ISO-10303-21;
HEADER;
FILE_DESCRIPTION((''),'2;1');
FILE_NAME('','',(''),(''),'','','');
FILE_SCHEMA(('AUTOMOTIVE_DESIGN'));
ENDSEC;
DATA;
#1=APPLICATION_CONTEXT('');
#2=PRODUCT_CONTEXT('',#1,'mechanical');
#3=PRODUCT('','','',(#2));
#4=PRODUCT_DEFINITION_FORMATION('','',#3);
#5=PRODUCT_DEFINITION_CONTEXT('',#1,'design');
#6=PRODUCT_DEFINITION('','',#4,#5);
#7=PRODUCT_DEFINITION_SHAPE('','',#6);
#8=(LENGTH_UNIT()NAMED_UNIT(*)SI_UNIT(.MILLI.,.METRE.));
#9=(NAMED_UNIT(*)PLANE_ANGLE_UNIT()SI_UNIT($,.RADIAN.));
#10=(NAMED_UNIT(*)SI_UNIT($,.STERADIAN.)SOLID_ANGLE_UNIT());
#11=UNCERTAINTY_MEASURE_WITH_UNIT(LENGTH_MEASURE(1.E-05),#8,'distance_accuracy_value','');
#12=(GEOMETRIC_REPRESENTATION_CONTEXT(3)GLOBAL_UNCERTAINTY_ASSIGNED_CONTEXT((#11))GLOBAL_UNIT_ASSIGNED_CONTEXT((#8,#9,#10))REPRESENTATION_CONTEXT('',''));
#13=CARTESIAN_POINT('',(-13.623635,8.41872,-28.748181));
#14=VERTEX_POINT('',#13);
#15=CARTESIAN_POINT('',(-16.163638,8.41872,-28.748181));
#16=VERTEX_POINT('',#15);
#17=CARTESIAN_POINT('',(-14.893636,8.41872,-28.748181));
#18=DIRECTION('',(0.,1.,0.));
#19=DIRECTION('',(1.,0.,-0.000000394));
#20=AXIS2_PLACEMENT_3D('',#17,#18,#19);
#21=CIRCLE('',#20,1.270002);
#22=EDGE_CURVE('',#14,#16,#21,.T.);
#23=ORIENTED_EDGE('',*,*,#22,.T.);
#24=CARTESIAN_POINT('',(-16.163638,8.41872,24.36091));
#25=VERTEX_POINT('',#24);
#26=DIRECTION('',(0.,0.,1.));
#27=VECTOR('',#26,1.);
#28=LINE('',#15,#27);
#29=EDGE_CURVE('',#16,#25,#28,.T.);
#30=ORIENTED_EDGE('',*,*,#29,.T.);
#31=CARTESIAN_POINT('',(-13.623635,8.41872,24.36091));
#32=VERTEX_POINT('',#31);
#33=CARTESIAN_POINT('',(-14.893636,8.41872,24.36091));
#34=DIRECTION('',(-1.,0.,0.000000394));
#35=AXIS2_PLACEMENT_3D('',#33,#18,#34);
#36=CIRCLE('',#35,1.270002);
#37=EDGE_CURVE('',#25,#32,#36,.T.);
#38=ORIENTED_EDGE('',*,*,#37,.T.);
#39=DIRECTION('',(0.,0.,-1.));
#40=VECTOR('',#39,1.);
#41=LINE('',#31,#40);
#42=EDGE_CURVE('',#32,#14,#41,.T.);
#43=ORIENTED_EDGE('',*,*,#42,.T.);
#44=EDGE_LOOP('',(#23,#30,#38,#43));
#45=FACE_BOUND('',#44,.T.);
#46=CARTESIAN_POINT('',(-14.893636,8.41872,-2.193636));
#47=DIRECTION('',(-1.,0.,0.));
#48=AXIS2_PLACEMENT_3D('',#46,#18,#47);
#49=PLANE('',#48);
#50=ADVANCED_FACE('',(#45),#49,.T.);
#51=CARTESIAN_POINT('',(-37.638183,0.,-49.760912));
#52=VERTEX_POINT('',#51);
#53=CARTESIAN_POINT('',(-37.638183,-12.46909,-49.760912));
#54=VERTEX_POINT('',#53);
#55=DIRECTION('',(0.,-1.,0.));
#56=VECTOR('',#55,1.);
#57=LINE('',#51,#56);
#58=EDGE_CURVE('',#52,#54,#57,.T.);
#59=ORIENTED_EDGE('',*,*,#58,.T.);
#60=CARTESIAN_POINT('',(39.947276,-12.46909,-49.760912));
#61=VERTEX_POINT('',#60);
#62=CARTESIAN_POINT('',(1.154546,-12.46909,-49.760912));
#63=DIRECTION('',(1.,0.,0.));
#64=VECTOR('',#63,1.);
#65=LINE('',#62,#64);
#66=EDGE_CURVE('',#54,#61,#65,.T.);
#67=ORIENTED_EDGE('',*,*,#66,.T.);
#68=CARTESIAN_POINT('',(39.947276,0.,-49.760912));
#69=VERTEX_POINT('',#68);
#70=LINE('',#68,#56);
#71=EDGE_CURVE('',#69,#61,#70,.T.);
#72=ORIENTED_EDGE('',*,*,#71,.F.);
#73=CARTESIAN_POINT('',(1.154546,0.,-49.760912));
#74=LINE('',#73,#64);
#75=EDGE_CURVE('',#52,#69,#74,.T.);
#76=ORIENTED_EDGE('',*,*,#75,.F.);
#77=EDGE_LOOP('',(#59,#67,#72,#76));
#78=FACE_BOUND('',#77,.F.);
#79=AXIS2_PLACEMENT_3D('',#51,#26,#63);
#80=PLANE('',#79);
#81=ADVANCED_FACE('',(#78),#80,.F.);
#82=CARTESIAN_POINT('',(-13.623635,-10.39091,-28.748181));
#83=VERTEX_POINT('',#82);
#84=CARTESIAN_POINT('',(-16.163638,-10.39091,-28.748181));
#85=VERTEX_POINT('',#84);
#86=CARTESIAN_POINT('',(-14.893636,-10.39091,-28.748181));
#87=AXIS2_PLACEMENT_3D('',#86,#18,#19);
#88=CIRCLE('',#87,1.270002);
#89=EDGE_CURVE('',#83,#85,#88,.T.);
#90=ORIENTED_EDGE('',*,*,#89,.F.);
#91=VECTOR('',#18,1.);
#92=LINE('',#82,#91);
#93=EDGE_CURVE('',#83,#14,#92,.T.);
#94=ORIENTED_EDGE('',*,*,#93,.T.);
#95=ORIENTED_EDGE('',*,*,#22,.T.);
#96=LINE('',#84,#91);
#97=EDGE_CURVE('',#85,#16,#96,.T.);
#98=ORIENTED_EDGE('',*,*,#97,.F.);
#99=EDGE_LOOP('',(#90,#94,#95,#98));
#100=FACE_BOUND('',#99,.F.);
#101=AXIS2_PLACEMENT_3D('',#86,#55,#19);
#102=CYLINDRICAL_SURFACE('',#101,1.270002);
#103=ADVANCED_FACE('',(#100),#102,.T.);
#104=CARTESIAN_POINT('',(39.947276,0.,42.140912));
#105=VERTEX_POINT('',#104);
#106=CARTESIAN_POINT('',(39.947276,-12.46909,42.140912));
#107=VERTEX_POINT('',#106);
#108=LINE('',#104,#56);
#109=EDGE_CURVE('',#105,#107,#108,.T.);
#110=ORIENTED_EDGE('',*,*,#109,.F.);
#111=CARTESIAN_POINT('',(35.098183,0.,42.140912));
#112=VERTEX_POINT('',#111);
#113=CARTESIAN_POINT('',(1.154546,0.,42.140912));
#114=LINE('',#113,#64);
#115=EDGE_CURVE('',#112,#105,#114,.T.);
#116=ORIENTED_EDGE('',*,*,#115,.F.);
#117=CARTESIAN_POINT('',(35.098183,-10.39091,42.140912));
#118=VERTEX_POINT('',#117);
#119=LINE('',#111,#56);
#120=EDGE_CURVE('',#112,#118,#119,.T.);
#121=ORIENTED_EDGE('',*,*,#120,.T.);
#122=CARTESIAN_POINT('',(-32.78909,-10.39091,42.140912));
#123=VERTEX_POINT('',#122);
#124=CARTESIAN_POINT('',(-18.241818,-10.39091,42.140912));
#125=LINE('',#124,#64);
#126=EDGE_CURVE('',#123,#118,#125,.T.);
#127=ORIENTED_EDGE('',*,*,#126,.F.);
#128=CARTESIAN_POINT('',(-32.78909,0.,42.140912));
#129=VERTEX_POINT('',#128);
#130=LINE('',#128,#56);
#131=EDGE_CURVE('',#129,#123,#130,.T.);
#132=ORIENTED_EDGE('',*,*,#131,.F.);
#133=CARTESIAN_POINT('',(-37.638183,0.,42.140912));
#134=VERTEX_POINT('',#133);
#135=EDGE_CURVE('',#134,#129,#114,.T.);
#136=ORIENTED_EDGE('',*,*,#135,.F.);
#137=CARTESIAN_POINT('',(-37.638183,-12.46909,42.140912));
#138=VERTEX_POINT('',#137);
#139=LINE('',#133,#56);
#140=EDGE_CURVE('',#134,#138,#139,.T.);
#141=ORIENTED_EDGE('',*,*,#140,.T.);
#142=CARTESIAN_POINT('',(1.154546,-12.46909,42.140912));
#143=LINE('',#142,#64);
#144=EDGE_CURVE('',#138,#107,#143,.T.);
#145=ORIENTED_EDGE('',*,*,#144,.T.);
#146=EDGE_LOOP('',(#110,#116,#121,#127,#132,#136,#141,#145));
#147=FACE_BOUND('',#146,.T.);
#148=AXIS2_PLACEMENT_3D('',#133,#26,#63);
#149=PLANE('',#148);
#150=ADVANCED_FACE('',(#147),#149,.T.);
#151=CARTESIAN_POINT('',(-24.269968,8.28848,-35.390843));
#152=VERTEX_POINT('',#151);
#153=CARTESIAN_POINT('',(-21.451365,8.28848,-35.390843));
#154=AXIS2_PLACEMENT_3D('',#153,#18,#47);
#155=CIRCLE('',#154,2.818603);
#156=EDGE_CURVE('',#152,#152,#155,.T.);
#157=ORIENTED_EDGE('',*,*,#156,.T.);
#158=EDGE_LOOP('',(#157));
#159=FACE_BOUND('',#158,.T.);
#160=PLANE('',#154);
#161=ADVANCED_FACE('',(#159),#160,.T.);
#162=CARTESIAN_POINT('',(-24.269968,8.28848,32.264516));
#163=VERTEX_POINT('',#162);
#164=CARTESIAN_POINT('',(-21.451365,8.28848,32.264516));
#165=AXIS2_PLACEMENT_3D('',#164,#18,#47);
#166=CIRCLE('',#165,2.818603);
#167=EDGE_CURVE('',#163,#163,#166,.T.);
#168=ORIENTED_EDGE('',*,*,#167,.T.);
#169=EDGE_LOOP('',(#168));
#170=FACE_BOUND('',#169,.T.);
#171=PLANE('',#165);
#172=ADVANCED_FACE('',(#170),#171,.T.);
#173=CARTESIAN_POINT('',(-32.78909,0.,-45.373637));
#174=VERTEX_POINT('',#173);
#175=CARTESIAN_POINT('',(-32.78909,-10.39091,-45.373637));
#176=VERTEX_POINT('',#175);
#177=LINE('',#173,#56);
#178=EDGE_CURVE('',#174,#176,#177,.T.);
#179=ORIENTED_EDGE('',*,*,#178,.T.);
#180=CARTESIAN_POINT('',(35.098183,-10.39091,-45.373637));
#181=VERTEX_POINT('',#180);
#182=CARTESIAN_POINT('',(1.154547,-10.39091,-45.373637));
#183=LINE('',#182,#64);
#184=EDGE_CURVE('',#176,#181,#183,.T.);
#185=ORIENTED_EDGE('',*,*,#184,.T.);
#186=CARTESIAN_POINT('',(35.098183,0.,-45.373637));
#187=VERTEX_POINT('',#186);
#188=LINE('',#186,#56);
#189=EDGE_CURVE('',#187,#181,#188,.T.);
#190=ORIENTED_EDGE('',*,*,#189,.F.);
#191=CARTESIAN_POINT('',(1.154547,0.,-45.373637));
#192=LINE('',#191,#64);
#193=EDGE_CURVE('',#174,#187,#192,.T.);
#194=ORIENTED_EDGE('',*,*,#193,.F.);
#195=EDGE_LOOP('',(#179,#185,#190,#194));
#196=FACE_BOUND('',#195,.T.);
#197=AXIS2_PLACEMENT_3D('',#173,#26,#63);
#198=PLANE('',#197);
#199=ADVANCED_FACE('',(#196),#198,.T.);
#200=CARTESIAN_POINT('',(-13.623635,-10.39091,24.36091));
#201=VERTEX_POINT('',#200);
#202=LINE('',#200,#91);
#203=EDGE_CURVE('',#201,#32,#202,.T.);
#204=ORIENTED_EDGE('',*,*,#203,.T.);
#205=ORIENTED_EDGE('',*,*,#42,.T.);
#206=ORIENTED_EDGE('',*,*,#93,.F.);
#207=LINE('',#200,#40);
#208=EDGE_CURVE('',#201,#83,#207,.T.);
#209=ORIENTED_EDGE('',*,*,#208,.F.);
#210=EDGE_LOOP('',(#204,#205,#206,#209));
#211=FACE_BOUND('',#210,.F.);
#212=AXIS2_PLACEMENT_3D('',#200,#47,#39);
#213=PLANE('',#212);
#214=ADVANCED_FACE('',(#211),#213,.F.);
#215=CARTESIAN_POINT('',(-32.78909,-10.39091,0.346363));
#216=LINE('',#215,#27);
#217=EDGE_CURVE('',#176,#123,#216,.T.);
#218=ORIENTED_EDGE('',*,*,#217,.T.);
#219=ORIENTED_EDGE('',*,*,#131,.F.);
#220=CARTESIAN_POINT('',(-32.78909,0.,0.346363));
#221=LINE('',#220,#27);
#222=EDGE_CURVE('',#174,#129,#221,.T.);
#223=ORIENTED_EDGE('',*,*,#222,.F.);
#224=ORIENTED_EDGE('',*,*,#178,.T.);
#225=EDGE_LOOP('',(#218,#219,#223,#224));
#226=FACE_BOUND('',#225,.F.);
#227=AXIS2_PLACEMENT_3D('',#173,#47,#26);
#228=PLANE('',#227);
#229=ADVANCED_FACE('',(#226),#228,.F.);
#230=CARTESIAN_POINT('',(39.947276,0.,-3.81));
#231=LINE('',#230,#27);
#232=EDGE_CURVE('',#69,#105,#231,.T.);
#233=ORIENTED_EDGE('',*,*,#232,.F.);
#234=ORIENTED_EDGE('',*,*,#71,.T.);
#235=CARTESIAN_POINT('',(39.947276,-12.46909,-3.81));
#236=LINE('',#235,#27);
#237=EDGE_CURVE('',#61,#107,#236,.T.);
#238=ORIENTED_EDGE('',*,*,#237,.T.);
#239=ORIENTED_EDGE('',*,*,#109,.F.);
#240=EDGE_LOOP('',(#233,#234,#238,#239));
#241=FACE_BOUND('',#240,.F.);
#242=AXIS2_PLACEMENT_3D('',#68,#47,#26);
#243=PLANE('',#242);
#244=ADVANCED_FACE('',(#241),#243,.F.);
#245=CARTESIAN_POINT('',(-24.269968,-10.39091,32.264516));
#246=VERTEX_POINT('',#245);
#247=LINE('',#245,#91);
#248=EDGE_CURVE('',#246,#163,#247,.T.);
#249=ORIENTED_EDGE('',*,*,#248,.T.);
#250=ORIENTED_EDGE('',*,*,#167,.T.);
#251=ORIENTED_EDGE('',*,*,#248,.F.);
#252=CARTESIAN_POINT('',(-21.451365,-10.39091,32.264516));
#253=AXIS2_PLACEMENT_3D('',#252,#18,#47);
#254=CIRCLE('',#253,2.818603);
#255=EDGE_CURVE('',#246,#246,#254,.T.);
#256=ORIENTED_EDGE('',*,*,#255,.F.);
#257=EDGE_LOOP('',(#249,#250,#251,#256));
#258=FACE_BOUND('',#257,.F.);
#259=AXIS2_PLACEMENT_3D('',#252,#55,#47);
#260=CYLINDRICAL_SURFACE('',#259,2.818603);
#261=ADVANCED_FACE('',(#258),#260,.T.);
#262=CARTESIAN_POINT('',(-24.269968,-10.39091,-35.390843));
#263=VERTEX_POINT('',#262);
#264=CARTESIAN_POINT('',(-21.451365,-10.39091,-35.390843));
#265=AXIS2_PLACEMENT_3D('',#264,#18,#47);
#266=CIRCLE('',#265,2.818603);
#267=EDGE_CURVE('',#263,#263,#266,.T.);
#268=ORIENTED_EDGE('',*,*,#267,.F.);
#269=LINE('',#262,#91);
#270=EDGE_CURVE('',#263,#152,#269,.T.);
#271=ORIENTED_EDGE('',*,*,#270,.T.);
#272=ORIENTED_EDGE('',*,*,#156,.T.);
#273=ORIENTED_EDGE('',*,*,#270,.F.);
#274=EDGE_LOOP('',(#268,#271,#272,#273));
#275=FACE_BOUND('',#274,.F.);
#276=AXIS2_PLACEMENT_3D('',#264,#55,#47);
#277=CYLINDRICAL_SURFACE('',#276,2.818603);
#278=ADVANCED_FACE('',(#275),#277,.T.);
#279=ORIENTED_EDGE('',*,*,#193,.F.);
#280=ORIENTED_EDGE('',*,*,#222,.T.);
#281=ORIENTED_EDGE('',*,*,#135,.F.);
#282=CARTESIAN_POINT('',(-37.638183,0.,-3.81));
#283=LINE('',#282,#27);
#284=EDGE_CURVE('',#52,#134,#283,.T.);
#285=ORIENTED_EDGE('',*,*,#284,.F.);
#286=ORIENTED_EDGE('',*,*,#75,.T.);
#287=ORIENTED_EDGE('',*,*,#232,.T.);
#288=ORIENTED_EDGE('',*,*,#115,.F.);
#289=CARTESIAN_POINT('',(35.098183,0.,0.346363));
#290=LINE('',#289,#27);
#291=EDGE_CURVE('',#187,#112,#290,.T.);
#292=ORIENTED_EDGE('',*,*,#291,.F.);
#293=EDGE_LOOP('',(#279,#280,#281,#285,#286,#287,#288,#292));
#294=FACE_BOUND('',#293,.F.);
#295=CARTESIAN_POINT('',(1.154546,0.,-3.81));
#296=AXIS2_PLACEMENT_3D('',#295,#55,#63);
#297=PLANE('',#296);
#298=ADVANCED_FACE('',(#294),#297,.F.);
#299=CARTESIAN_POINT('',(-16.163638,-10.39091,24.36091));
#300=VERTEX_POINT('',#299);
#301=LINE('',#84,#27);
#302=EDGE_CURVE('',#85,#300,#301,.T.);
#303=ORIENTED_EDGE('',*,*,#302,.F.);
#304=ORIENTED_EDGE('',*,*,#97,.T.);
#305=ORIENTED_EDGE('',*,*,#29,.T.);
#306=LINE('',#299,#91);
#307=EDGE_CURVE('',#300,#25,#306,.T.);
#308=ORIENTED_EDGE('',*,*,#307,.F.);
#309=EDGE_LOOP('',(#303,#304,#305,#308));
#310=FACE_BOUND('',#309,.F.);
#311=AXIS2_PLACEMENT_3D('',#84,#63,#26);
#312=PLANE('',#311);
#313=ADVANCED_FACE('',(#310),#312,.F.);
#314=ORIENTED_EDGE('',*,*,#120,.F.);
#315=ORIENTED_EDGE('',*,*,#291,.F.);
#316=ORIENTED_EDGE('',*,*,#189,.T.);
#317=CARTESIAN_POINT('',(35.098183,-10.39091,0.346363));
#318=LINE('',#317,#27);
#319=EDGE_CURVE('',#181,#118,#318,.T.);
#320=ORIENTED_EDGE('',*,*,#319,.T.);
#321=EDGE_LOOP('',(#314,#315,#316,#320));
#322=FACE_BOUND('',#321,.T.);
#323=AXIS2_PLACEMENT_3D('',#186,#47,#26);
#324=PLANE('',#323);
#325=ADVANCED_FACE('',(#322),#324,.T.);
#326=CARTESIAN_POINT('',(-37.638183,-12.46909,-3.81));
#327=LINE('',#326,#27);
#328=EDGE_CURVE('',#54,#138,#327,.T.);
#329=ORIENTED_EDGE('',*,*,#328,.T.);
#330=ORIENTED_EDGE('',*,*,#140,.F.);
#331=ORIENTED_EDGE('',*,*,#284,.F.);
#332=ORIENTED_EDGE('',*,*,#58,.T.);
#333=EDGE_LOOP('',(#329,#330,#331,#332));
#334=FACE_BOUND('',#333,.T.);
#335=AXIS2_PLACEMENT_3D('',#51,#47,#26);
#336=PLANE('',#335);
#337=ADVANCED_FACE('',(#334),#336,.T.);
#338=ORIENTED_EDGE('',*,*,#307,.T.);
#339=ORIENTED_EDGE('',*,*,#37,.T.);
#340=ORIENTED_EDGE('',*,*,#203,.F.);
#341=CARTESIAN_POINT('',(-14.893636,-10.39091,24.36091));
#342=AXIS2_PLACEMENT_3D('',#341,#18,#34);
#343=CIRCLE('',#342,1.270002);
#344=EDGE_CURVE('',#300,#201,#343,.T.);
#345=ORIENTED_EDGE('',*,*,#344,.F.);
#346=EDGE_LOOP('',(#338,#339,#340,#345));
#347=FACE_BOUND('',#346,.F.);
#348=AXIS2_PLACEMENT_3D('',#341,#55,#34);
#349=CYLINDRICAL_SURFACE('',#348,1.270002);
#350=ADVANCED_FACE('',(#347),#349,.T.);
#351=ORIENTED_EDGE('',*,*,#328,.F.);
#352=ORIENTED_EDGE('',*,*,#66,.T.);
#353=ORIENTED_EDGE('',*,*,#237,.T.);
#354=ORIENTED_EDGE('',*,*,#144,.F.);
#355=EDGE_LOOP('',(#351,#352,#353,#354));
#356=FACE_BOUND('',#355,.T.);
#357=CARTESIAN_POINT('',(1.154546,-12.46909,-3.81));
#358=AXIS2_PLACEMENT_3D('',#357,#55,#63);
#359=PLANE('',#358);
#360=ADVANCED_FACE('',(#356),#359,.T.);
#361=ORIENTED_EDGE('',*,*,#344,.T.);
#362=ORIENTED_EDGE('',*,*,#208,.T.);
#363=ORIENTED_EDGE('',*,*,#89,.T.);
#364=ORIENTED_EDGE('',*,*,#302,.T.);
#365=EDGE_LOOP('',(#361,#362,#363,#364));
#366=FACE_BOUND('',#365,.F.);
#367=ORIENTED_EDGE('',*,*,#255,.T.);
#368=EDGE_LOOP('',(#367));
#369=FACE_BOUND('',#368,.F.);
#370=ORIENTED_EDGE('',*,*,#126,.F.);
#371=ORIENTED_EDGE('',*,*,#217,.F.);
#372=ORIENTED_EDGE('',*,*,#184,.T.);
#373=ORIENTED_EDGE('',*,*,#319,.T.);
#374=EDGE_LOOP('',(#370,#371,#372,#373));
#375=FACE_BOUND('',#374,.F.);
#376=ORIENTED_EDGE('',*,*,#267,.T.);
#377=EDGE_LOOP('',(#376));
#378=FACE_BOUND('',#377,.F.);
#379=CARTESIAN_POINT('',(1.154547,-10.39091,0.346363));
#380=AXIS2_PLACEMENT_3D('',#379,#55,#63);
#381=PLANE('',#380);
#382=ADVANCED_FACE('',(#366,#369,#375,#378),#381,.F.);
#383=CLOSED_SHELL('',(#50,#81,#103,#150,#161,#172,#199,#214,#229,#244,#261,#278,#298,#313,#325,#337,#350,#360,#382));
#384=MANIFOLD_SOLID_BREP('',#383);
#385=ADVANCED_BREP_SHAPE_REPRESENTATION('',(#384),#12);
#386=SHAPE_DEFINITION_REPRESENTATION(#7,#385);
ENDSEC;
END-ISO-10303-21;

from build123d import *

# Parameters (mm, degrees)
F0_W     = 77.585459
F0_H     = 91.901824
F1_DEPTH = 12.46909
F2_W     = 67.887273
F2_H     = 91.439999
F3_DEPTH = 10.39091
F4_R     = 2.818603
F5_DEPTH = 18.67939
F7_DEPTH = 18.80963


with BuildPart() as f1:
    # F0 (on Front) → F1 (new body)
    with BuildSketch(Plane.XZ):
        with Locations((1.154546, -3.81)):
            Rectangle(F0_W, F0_H)
    extrude(amount=F1_DEPTH)

    # F2 (on Front) → F3 (cut)
    with BuildSketch(Plane.XZ):
        with Locations((1.154547, 0.346363)):
            Rectangle(F2_W, F2_H)
    extrude(amount=F3_DEPTH, mode=Mode.SUBTRACT)

    # F4 (on face) → F5 (join)
    with BuildSketch(Plane(origin=(0, -10.39091, 0), x_dir=(-1, 0, 0), z_dir=(0, 1, 0))):
        with Locations((21.451365, 32.264516)):
            Circle(F4_R)
        with Locations((21.451365, -35.390843)):
            Circle(F4_R)
    extrude(amount=F5_DEPTH)

    # F6 (on face) → F7 (join)
    with BuildSketch(Plane(origin=(0, -10.39091, 0), x_dir=(-1, 0, 0), z_dir=(0, 1, 0))):
        with BuildLine():
            ThreePointArc((16.163638, 24.36091), (14.893637, 25.630911), (13.623635, 24.36091))
            Line((13.623635, 24.36091), (13.623635, -28.748181))
            ThreePointArc((13.623635, -28.748181), (14.893637, -30.018182), (16.163638, -28.748181))
            Line((16.163638, -28.748181), (16.163638, 24.36091))
        make_face()
    extrude(amount=F7_DEPTH)


solid = f1.part
